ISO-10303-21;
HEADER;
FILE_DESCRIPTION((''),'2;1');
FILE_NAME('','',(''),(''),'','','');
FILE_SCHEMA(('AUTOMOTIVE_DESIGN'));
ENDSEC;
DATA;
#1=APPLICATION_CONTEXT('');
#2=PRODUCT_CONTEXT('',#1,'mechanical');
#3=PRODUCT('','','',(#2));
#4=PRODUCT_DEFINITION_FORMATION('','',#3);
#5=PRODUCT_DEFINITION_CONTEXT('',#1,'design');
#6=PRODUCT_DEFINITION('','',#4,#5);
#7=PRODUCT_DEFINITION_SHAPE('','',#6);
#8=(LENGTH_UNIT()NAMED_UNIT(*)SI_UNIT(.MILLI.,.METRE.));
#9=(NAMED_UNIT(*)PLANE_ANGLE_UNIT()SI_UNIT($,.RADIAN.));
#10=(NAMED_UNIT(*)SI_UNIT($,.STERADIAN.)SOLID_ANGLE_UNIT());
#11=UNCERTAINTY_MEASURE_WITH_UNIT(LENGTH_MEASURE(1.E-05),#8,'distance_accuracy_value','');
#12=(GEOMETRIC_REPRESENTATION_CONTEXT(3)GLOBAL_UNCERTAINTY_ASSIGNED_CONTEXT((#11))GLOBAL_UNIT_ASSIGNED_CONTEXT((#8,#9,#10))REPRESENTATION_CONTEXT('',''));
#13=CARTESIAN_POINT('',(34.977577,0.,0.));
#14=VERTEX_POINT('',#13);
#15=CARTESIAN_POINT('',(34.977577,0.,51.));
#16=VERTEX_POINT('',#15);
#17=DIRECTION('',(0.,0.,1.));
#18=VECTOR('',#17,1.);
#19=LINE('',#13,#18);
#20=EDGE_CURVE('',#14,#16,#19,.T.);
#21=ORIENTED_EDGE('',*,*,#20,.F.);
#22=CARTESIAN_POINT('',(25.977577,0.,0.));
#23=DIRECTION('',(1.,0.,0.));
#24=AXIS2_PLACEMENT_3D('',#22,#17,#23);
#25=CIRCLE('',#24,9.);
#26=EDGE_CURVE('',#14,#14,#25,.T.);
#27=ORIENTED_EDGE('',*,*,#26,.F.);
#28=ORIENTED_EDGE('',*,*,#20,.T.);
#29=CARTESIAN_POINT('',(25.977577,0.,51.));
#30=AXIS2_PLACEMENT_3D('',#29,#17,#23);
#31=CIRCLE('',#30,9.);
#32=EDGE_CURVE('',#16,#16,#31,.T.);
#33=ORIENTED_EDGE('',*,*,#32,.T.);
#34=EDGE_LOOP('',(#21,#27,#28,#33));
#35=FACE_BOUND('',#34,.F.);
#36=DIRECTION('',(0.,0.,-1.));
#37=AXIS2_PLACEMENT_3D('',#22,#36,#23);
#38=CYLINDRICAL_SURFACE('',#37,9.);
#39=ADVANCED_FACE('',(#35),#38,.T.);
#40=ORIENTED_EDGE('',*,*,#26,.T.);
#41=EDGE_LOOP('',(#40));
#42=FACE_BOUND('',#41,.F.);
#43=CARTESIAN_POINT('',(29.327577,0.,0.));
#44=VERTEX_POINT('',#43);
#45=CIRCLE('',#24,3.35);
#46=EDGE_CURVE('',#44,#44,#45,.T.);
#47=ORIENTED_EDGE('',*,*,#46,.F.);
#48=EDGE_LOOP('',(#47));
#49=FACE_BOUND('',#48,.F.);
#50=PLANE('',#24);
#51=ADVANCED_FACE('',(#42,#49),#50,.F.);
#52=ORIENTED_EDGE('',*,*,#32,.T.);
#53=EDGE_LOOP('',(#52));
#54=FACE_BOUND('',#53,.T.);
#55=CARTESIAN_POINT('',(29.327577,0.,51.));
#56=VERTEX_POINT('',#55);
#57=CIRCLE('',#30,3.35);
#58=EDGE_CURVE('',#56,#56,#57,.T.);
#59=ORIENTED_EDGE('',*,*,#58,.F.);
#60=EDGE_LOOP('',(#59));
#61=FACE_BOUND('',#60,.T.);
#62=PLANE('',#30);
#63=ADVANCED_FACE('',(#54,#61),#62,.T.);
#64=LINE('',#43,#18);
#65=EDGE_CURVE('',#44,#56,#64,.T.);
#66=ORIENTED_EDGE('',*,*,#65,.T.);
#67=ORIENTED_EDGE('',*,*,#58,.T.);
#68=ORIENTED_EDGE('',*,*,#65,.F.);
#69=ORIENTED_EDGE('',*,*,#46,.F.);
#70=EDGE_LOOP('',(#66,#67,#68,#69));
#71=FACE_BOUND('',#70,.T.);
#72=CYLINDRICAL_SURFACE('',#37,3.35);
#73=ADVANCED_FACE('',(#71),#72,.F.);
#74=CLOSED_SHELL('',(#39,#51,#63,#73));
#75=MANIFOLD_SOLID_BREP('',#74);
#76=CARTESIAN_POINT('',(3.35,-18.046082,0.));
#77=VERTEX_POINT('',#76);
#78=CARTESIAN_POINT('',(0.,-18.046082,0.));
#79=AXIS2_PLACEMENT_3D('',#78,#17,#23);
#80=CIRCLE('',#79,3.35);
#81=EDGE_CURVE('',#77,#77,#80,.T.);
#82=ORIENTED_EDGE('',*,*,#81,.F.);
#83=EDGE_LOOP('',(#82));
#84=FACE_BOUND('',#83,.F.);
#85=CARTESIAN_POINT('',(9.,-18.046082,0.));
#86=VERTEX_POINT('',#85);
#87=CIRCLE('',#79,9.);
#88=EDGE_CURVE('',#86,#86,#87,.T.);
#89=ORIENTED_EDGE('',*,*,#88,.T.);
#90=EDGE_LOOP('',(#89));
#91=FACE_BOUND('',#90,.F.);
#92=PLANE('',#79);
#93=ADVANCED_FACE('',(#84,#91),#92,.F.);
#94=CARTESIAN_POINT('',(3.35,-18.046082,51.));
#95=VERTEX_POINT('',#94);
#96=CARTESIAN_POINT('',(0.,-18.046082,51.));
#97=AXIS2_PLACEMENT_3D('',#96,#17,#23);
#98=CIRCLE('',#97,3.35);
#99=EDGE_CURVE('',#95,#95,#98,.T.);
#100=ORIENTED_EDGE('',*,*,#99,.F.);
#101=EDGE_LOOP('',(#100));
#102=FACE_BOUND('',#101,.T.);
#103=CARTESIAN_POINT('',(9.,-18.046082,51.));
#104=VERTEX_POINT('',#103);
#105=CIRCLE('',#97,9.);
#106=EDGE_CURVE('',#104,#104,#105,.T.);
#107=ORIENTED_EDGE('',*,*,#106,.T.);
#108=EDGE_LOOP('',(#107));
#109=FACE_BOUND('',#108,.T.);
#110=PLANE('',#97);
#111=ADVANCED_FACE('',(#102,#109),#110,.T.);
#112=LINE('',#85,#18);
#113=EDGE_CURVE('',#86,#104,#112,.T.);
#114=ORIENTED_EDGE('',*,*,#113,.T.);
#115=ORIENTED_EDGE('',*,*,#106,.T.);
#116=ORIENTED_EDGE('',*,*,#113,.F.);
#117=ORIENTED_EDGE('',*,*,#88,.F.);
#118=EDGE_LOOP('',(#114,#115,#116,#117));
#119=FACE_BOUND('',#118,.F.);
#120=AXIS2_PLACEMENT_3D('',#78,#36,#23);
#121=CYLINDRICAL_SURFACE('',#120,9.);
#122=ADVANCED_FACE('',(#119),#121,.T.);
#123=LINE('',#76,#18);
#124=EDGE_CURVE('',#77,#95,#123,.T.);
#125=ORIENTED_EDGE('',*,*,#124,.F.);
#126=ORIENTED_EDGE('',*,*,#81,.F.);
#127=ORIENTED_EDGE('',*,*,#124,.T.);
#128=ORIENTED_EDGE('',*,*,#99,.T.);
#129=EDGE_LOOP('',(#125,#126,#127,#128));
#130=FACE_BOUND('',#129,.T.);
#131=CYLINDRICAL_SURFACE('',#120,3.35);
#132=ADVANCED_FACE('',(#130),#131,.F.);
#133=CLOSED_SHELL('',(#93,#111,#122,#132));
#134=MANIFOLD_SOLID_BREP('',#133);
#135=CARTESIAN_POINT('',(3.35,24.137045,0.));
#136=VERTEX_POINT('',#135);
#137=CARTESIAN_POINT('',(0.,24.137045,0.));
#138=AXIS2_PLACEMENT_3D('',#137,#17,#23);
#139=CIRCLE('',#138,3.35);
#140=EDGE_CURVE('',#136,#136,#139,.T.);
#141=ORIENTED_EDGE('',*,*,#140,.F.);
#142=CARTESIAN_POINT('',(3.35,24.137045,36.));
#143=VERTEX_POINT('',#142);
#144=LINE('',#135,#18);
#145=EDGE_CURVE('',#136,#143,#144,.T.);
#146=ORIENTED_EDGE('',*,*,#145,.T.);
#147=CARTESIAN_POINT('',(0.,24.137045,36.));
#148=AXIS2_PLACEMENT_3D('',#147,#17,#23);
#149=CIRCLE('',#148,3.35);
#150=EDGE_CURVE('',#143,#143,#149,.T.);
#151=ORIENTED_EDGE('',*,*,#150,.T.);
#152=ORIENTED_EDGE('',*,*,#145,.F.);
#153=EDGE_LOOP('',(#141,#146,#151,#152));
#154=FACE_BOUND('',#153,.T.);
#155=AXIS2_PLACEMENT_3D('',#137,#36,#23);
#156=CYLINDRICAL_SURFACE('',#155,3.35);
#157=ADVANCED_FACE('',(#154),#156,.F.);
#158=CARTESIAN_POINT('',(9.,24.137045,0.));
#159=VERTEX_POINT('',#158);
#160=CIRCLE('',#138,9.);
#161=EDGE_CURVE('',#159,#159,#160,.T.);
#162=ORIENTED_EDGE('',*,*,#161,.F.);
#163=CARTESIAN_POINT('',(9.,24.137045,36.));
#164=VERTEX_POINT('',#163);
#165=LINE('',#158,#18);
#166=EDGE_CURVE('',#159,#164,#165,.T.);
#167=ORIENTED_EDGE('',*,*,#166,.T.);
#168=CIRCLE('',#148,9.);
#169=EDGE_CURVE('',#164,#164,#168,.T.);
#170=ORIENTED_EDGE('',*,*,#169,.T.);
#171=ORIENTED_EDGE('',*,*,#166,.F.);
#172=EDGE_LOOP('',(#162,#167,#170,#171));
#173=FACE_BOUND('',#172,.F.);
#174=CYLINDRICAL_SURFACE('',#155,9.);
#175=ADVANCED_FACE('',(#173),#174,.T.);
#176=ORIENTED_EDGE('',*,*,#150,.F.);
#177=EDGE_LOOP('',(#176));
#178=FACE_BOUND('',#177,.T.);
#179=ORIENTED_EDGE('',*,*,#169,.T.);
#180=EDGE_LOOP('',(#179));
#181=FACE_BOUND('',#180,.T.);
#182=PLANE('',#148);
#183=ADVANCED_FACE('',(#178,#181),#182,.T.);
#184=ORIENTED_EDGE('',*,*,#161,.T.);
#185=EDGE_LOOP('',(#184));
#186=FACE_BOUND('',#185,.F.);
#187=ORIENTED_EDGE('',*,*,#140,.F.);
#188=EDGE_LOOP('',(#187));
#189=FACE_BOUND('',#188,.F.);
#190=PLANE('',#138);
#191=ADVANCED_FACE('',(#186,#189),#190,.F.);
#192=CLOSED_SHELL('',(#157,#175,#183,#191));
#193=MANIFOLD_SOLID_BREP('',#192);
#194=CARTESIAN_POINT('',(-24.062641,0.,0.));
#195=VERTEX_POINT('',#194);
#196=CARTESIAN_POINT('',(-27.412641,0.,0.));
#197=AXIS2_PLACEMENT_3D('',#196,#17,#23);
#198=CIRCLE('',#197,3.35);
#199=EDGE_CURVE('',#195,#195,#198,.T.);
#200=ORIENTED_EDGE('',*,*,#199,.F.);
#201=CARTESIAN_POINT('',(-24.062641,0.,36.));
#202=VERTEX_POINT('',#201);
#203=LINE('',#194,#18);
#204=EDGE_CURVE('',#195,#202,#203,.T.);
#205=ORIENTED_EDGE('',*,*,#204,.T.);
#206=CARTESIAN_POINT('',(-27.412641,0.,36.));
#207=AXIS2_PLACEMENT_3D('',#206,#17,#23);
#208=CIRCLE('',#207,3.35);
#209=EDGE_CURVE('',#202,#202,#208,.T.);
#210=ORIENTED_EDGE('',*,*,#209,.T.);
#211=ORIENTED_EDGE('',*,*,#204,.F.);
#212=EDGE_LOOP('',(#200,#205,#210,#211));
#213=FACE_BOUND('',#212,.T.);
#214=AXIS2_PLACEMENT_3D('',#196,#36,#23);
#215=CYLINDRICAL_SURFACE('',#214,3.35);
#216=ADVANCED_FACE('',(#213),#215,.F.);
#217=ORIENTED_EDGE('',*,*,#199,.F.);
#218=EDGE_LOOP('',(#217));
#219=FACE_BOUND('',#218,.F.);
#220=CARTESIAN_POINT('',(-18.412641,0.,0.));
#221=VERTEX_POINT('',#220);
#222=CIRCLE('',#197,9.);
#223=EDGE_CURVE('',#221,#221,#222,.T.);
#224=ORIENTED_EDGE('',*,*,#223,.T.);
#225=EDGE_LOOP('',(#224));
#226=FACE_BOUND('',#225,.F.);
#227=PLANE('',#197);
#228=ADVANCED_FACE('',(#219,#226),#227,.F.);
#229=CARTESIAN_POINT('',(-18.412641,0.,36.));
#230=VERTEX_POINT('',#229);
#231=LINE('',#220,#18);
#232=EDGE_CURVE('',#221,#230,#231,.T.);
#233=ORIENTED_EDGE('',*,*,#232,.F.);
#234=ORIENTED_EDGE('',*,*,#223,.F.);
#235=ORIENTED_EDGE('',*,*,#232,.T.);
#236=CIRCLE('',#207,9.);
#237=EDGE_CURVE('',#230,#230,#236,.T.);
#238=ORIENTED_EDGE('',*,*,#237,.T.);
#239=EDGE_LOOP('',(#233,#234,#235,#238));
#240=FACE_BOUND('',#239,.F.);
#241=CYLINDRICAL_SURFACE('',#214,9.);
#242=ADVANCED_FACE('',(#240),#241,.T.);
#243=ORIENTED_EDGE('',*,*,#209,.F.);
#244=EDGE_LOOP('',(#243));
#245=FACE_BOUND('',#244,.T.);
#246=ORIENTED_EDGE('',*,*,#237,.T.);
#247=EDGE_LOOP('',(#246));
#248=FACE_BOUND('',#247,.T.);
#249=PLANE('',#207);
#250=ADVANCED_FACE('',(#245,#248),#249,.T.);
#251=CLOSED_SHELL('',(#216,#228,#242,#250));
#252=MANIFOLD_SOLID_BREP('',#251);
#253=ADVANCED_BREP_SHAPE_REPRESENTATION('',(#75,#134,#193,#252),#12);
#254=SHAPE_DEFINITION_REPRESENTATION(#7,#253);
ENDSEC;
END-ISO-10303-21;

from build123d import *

# Parameters (mm, degrees)
F0_R     = 9
F0_R_2   = 3.35
F1_DEPTH = 36
F2_DEPTH = 51


with BuildPart() as f1:
    # F0 (on Top) → F1 (new body)
    with BuildSketch(Plane.XY):
        with Locations((-27.412641, 0)):
            Circle(F0_R)
        with Locations((-27.412641, 0)):
            Circle(F0_R_2, mode=Mode.SUBTRACT)
        with Locations((0, 24.137045)):
            Circle(F0_R)
        with Locations((0, 24.137045)):
            Circle(F0_R_2, mode=Mode.SUBTRACT)
    extrude(amount=F1_DEPTH)


with BuildPart() as f2:
    # F0 (on Top) → F2 (new body)
    with BuildSketch(Plane.XY):
        with Locations((0, -18.046082)):
            Circle(F0_R)
        with Locations((0, -18.046082)):
            Circle(F0_R_2, mode=Mode.SUBTRACT)
        with Locations((25.977577, 0)):
            Circle(F0_R)
        with Locations((25.977577, 0)):
            Circle(F0_R_2, mode=Mode.SUBTRACT)
    extrude(amount=F2_DEPTH)


solid = Compound([f1.part, f2.part])
